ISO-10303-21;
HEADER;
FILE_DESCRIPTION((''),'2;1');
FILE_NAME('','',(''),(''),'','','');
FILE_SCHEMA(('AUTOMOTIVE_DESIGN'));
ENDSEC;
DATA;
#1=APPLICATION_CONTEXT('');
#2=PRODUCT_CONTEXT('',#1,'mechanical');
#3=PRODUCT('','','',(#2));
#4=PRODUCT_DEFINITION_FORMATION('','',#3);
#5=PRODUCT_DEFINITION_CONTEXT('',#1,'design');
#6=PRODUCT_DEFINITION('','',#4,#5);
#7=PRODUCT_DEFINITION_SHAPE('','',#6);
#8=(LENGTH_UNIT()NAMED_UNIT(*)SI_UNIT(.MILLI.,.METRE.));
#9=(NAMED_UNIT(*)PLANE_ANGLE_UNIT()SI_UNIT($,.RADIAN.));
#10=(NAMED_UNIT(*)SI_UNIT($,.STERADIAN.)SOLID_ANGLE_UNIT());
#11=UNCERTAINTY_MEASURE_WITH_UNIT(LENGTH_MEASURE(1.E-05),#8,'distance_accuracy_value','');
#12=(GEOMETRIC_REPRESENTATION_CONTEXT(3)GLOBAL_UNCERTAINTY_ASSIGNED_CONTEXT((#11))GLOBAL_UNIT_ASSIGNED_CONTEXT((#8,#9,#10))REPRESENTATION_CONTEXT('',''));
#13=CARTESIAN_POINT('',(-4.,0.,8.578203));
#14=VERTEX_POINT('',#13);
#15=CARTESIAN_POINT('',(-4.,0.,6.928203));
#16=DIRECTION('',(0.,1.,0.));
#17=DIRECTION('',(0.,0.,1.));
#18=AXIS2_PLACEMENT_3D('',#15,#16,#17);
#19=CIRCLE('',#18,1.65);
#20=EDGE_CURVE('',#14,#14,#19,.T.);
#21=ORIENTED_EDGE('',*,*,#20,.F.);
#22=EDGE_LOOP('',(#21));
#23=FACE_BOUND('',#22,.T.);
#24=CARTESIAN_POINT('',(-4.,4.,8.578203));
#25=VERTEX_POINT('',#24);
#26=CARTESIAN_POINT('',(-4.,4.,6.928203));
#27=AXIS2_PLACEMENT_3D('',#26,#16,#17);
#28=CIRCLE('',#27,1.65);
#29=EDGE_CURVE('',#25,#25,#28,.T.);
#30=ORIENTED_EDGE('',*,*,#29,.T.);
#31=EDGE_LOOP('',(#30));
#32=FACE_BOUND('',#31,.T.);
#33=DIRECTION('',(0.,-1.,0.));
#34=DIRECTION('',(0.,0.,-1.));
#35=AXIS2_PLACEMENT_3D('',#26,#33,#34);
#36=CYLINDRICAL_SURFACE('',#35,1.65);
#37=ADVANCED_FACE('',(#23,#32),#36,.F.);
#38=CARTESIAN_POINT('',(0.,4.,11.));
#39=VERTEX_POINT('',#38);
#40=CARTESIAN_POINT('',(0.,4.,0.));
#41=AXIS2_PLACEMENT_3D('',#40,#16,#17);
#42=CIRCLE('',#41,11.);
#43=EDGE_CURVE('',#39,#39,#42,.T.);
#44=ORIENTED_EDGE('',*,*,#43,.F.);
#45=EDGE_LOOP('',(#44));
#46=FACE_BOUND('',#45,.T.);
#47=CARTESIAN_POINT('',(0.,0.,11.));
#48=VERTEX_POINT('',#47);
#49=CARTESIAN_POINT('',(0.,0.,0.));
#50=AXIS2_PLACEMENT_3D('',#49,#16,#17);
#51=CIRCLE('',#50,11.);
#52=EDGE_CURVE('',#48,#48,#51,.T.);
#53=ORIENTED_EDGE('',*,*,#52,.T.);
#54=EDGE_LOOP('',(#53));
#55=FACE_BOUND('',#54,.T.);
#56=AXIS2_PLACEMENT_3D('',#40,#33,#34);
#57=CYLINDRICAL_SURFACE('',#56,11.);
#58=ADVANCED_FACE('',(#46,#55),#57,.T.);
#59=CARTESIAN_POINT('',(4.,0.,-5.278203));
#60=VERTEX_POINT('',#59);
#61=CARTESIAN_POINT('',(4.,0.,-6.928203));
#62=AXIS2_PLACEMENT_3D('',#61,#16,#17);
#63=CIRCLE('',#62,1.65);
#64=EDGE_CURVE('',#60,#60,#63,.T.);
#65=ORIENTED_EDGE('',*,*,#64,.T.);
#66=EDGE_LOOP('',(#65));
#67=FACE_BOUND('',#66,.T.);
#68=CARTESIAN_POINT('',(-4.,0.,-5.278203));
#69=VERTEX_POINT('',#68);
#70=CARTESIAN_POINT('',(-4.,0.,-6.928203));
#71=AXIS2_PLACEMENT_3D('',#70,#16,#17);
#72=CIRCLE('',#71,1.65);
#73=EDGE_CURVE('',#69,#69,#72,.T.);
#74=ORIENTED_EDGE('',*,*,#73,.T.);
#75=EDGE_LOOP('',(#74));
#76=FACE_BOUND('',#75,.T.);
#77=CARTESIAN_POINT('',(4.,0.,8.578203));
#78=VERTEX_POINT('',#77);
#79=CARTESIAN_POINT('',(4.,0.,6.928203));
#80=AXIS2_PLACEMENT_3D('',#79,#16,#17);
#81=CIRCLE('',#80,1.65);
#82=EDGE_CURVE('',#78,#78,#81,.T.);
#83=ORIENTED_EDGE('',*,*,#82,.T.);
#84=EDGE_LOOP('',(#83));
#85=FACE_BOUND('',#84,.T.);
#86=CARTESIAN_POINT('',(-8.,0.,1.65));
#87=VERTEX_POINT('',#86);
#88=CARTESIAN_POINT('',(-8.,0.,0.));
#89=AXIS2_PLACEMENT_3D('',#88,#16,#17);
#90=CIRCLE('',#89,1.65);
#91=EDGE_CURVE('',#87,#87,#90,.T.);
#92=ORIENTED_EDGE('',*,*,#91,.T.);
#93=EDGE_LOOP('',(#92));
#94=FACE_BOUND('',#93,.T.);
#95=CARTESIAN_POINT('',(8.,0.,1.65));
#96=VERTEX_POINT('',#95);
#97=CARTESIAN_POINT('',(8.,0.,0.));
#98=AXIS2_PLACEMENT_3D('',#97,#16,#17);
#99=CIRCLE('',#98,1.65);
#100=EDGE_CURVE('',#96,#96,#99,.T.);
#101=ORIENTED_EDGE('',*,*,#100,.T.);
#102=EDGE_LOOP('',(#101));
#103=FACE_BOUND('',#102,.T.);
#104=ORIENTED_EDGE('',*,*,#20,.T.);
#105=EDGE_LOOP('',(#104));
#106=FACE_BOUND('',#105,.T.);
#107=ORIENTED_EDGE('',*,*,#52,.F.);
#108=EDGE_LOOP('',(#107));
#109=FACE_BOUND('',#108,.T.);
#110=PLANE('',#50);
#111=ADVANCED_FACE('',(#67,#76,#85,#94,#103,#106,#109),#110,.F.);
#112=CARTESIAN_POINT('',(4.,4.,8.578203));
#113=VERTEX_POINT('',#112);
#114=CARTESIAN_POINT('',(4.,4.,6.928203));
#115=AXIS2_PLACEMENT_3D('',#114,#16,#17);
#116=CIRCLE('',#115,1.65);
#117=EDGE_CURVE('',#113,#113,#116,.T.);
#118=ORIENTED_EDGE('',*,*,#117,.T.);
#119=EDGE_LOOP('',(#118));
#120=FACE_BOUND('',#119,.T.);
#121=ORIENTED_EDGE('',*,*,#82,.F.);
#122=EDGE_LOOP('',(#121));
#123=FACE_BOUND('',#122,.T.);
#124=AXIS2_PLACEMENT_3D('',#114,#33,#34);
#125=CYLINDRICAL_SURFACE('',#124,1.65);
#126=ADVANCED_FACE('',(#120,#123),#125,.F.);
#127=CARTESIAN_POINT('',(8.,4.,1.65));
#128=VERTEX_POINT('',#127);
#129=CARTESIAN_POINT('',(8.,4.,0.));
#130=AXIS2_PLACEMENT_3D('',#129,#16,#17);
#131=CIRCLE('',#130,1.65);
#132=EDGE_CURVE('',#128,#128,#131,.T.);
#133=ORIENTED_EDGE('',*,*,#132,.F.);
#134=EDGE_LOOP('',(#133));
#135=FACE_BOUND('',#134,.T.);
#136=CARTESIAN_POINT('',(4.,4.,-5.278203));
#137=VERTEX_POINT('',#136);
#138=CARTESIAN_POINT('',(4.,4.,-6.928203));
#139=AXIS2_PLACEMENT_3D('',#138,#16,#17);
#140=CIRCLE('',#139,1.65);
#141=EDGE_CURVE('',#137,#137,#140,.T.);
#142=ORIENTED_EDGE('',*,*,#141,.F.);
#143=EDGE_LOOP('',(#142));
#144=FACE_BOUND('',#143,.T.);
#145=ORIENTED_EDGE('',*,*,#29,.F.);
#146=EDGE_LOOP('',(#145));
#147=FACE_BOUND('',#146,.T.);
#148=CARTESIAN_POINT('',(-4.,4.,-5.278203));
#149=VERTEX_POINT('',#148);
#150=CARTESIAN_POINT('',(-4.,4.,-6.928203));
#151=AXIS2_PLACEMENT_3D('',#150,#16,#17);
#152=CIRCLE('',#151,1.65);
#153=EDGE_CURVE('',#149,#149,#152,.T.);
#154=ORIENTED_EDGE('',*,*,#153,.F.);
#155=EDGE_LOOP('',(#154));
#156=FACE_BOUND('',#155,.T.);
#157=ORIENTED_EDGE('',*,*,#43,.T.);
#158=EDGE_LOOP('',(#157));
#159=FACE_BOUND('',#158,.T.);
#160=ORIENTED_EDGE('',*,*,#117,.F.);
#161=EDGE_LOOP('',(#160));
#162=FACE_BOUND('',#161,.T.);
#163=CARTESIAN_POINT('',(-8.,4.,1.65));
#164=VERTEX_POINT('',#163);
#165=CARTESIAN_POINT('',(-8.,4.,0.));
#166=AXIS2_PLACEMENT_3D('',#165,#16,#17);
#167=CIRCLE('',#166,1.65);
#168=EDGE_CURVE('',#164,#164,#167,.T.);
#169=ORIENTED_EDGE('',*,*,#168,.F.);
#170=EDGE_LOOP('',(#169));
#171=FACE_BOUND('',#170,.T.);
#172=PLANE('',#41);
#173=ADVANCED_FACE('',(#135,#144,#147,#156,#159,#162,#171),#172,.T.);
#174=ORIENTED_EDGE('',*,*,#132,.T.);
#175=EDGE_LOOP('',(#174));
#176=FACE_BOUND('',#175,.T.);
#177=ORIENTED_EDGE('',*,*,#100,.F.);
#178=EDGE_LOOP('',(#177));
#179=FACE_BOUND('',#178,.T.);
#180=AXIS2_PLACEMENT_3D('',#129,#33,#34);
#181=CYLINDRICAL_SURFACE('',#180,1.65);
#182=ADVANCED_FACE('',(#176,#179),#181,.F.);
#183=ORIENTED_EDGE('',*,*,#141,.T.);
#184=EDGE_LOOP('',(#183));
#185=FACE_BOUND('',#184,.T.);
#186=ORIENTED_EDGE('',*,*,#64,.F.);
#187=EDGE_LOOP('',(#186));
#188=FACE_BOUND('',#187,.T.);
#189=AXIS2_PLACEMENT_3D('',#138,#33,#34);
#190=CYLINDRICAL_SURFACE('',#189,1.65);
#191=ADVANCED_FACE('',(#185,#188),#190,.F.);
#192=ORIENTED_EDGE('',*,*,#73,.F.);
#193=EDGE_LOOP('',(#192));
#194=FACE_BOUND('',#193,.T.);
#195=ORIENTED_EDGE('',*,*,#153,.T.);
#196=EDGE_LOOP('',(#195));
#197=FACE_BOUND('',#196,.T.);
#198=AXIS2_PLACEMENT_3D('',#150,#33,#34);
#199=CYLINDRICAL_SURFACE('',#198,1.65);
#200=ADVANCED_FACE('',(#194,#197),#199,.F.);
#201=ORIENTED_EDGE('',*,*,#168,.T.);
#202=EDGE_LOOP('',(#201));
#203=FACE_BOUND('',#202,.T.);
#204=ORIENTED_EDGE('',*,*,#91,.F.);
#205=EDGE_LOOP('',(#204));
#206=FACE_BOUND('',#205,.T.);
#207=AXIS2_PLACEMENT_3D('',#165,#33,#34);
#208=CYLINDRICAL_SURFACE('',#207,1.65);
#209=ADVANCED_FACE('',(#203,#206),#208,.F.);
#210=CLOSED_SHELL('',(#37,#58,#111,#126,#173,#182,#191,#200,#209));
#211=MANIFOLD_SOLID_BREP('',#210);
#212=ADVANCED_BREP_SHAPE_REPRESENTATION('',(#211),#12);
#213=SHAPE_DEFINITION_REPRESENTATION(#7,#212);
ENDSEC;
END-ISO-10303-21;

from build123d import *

# Parameters (mm, degrees)
SKETCH1_R           = 11
SKETCH1_R_2         = 1.65
BOSS_EXTRUDE1_DEPTH = 4


with BuildPart() as part:
    # Sketch1 → Boss-Extrude1 (new body)
    with BuildSketch(Plane(origin=(0, 0, 0), x_dir=(1, 0, 0), z_dir=(0, 1, 0))):
        with Locations(Location((0, 0, 0), (0, 0, 270))):
            Circle(SKETCH1_R)
        with Locations(Location((-4, 6.92820323, 0), (0, 0, 270))):
            Circle(SKETCH1_R_2, mode=Mode.SUBTRACT)
        with Locations(Location((4, 6.92820323, 0), (0, 0, 270))):
            Circle(SKETCH1_R_2, mode=Mode.SUBTRACT)
        with Locations(Location((8, 0, 0), (0, 0, 270))):
            Circle(SKETCH1_R_2, mode=Mode.SUBTRACT)
        with Locations(Location((4, -6.92820323, 0), (0, 0, 270))):
            Circle(SKETCH1_R_2, mode=Mode.SUBTRACT)
        with Locations(Location((-4, -6.92820323, 0), (0, 0, 270))):
            Circle(SKETCH1_R_2, mode=Mode.SUBTRACT)
        with Locations(Location((-8, 0, 0), (0, 0, 270))):
            Circle(SKETCH1_R_2, mode=Mode.SUBTRACT)
    extrude(amount=BOSS_EXTRUDE1_DEPTH)


solid = part.part
